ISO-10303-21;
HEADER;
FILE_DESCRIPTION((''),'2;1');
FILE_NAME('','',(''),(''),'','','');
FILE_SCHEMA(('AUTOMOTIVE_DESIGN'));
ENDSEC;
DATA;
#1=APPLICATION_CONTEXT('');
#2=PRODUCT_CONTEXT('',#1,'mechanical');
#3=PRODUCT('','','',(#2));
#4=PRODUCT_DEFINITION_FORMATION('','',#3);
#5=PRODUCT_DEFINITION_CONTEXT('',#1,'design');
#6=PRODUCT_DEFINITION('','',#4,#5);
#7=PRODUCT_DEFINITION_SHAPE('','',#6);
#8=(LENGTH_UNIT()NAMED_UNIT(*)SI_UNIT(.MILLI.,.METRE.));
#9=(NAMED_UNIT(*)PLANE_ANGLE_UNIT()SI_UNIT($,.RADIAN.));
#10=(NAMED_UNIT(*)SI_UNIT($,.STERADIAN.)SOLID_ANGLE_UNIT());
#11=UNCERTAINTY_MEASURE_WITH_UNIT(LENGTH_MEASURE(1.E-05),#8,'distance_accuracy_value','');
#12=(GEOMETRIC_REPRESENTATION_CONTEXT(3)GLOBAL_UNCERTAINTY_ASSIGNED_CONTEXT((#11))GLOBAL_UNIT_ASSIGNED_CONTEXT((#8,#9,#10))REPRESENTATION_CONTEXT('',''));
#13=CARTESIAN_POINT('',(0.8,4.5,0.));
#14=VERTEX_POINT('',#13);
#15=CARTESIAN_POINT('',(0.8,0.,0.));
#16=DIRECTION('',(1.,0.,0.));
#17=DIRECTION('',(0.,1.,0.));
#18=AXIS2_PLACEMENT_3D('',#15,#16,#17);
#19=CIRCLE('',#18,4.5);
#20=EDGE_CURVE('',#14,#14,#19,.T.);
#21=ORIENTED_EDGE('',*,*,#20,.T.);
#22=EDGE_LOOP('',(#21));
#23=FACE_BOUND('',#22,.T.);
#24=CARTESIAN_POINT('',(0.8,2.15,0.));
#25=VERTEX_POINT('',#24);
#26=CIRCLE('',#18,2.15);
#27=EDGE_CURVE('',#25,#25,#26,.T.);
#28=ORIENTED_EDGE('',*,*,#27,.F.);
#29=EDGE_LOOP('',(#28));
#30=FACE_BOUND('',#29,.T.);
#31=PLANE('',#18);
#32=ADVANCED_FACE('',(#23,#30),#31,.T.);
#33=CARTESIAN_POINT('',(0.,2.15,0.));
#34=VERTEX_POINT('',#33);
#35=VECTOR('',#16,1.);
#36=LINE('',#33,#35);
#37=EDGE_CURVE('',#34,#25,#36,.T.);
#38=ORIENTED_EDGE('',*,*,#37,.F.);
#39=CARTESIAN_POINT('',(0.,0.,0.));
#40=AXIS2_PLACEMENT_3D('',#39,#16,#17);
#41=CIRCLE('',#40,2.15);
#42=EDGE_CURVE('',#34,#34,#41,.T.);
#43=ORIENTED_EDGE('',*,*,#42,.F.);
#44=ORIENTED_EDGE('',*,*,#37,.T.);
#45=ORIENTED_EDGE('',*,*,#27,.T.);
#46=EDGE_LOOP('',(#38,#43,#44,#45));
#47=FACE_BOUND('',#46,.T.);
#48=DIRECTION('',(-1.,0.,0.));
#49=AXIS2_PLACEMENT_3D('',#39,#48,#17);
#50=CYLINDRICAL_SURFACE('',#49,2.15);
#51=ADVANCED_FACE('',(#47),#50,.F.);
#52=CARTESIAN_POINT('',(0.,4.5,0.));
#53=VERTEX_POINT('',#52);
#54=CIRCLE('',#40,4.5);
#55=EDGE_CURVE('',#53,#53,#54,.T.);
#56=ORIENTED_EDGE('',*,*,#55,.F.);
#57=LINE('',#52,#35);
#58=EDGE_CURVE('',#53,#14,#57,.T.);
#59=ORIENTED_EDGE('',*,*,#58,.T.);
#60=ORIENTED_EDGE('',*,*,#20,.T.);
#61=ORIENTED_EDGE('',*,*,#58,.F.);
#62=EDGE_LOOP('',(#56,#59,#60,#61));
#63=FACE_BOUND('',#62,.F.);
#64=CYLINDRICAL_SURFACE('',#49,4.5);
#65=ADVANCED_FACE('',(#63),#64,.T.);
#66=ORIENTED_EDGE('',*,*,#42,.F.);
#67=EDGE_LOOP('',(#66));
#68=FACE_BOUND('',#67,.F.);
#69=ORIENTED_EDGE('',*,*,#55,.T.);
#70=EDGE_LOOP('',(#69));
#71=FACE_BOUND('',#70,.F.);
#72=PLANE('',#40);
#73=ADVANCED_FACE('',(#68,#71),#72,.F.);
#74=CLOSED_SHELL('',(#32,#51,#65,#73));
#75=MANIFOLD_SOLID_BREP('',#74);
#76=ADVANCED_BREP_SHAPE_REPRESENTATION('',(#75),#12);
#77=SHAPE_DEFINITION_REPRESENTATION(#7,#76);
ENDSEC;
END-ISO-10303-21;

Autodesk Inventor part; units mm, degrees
ref_plane "YZ Plane" through (0, 0, 0) normal (1, 0, 0) x (0, 1, 0)
ref_plane "XZ Plane" through (0, 0, 0) normal (0, 1, 0) x (-1, 0, 0)
sketch "Sketch" plane through (0, 0, 0) normal (1, 0, 0) x (0, 1, 0)
  circle A0 centre (0, 0) radius 4.5
  circle A1 centre (0, 0) radius 2.15
  dimension "d0" = 4.3
  dimension "d1" = 9
extrude "Body" add sketch "Sketch" along normal blind 0.8
ref_plane "Work Plane1" through (0, 0, 0) normal (0, 0, 1) x (1, 0, 0)
equation "\"d0\" = SD1"
equation "\"d1\" = SD2"
equation "\"d2\" = SD"
equation "\"SD1\" = 4.3"
equation "\"SD2\" = 9"
equation "\"SD\" = 0.8"
equation "\"NND\" = 4"
properties part number "DIN 125 - A 4.3" material "Steel, Mild"
